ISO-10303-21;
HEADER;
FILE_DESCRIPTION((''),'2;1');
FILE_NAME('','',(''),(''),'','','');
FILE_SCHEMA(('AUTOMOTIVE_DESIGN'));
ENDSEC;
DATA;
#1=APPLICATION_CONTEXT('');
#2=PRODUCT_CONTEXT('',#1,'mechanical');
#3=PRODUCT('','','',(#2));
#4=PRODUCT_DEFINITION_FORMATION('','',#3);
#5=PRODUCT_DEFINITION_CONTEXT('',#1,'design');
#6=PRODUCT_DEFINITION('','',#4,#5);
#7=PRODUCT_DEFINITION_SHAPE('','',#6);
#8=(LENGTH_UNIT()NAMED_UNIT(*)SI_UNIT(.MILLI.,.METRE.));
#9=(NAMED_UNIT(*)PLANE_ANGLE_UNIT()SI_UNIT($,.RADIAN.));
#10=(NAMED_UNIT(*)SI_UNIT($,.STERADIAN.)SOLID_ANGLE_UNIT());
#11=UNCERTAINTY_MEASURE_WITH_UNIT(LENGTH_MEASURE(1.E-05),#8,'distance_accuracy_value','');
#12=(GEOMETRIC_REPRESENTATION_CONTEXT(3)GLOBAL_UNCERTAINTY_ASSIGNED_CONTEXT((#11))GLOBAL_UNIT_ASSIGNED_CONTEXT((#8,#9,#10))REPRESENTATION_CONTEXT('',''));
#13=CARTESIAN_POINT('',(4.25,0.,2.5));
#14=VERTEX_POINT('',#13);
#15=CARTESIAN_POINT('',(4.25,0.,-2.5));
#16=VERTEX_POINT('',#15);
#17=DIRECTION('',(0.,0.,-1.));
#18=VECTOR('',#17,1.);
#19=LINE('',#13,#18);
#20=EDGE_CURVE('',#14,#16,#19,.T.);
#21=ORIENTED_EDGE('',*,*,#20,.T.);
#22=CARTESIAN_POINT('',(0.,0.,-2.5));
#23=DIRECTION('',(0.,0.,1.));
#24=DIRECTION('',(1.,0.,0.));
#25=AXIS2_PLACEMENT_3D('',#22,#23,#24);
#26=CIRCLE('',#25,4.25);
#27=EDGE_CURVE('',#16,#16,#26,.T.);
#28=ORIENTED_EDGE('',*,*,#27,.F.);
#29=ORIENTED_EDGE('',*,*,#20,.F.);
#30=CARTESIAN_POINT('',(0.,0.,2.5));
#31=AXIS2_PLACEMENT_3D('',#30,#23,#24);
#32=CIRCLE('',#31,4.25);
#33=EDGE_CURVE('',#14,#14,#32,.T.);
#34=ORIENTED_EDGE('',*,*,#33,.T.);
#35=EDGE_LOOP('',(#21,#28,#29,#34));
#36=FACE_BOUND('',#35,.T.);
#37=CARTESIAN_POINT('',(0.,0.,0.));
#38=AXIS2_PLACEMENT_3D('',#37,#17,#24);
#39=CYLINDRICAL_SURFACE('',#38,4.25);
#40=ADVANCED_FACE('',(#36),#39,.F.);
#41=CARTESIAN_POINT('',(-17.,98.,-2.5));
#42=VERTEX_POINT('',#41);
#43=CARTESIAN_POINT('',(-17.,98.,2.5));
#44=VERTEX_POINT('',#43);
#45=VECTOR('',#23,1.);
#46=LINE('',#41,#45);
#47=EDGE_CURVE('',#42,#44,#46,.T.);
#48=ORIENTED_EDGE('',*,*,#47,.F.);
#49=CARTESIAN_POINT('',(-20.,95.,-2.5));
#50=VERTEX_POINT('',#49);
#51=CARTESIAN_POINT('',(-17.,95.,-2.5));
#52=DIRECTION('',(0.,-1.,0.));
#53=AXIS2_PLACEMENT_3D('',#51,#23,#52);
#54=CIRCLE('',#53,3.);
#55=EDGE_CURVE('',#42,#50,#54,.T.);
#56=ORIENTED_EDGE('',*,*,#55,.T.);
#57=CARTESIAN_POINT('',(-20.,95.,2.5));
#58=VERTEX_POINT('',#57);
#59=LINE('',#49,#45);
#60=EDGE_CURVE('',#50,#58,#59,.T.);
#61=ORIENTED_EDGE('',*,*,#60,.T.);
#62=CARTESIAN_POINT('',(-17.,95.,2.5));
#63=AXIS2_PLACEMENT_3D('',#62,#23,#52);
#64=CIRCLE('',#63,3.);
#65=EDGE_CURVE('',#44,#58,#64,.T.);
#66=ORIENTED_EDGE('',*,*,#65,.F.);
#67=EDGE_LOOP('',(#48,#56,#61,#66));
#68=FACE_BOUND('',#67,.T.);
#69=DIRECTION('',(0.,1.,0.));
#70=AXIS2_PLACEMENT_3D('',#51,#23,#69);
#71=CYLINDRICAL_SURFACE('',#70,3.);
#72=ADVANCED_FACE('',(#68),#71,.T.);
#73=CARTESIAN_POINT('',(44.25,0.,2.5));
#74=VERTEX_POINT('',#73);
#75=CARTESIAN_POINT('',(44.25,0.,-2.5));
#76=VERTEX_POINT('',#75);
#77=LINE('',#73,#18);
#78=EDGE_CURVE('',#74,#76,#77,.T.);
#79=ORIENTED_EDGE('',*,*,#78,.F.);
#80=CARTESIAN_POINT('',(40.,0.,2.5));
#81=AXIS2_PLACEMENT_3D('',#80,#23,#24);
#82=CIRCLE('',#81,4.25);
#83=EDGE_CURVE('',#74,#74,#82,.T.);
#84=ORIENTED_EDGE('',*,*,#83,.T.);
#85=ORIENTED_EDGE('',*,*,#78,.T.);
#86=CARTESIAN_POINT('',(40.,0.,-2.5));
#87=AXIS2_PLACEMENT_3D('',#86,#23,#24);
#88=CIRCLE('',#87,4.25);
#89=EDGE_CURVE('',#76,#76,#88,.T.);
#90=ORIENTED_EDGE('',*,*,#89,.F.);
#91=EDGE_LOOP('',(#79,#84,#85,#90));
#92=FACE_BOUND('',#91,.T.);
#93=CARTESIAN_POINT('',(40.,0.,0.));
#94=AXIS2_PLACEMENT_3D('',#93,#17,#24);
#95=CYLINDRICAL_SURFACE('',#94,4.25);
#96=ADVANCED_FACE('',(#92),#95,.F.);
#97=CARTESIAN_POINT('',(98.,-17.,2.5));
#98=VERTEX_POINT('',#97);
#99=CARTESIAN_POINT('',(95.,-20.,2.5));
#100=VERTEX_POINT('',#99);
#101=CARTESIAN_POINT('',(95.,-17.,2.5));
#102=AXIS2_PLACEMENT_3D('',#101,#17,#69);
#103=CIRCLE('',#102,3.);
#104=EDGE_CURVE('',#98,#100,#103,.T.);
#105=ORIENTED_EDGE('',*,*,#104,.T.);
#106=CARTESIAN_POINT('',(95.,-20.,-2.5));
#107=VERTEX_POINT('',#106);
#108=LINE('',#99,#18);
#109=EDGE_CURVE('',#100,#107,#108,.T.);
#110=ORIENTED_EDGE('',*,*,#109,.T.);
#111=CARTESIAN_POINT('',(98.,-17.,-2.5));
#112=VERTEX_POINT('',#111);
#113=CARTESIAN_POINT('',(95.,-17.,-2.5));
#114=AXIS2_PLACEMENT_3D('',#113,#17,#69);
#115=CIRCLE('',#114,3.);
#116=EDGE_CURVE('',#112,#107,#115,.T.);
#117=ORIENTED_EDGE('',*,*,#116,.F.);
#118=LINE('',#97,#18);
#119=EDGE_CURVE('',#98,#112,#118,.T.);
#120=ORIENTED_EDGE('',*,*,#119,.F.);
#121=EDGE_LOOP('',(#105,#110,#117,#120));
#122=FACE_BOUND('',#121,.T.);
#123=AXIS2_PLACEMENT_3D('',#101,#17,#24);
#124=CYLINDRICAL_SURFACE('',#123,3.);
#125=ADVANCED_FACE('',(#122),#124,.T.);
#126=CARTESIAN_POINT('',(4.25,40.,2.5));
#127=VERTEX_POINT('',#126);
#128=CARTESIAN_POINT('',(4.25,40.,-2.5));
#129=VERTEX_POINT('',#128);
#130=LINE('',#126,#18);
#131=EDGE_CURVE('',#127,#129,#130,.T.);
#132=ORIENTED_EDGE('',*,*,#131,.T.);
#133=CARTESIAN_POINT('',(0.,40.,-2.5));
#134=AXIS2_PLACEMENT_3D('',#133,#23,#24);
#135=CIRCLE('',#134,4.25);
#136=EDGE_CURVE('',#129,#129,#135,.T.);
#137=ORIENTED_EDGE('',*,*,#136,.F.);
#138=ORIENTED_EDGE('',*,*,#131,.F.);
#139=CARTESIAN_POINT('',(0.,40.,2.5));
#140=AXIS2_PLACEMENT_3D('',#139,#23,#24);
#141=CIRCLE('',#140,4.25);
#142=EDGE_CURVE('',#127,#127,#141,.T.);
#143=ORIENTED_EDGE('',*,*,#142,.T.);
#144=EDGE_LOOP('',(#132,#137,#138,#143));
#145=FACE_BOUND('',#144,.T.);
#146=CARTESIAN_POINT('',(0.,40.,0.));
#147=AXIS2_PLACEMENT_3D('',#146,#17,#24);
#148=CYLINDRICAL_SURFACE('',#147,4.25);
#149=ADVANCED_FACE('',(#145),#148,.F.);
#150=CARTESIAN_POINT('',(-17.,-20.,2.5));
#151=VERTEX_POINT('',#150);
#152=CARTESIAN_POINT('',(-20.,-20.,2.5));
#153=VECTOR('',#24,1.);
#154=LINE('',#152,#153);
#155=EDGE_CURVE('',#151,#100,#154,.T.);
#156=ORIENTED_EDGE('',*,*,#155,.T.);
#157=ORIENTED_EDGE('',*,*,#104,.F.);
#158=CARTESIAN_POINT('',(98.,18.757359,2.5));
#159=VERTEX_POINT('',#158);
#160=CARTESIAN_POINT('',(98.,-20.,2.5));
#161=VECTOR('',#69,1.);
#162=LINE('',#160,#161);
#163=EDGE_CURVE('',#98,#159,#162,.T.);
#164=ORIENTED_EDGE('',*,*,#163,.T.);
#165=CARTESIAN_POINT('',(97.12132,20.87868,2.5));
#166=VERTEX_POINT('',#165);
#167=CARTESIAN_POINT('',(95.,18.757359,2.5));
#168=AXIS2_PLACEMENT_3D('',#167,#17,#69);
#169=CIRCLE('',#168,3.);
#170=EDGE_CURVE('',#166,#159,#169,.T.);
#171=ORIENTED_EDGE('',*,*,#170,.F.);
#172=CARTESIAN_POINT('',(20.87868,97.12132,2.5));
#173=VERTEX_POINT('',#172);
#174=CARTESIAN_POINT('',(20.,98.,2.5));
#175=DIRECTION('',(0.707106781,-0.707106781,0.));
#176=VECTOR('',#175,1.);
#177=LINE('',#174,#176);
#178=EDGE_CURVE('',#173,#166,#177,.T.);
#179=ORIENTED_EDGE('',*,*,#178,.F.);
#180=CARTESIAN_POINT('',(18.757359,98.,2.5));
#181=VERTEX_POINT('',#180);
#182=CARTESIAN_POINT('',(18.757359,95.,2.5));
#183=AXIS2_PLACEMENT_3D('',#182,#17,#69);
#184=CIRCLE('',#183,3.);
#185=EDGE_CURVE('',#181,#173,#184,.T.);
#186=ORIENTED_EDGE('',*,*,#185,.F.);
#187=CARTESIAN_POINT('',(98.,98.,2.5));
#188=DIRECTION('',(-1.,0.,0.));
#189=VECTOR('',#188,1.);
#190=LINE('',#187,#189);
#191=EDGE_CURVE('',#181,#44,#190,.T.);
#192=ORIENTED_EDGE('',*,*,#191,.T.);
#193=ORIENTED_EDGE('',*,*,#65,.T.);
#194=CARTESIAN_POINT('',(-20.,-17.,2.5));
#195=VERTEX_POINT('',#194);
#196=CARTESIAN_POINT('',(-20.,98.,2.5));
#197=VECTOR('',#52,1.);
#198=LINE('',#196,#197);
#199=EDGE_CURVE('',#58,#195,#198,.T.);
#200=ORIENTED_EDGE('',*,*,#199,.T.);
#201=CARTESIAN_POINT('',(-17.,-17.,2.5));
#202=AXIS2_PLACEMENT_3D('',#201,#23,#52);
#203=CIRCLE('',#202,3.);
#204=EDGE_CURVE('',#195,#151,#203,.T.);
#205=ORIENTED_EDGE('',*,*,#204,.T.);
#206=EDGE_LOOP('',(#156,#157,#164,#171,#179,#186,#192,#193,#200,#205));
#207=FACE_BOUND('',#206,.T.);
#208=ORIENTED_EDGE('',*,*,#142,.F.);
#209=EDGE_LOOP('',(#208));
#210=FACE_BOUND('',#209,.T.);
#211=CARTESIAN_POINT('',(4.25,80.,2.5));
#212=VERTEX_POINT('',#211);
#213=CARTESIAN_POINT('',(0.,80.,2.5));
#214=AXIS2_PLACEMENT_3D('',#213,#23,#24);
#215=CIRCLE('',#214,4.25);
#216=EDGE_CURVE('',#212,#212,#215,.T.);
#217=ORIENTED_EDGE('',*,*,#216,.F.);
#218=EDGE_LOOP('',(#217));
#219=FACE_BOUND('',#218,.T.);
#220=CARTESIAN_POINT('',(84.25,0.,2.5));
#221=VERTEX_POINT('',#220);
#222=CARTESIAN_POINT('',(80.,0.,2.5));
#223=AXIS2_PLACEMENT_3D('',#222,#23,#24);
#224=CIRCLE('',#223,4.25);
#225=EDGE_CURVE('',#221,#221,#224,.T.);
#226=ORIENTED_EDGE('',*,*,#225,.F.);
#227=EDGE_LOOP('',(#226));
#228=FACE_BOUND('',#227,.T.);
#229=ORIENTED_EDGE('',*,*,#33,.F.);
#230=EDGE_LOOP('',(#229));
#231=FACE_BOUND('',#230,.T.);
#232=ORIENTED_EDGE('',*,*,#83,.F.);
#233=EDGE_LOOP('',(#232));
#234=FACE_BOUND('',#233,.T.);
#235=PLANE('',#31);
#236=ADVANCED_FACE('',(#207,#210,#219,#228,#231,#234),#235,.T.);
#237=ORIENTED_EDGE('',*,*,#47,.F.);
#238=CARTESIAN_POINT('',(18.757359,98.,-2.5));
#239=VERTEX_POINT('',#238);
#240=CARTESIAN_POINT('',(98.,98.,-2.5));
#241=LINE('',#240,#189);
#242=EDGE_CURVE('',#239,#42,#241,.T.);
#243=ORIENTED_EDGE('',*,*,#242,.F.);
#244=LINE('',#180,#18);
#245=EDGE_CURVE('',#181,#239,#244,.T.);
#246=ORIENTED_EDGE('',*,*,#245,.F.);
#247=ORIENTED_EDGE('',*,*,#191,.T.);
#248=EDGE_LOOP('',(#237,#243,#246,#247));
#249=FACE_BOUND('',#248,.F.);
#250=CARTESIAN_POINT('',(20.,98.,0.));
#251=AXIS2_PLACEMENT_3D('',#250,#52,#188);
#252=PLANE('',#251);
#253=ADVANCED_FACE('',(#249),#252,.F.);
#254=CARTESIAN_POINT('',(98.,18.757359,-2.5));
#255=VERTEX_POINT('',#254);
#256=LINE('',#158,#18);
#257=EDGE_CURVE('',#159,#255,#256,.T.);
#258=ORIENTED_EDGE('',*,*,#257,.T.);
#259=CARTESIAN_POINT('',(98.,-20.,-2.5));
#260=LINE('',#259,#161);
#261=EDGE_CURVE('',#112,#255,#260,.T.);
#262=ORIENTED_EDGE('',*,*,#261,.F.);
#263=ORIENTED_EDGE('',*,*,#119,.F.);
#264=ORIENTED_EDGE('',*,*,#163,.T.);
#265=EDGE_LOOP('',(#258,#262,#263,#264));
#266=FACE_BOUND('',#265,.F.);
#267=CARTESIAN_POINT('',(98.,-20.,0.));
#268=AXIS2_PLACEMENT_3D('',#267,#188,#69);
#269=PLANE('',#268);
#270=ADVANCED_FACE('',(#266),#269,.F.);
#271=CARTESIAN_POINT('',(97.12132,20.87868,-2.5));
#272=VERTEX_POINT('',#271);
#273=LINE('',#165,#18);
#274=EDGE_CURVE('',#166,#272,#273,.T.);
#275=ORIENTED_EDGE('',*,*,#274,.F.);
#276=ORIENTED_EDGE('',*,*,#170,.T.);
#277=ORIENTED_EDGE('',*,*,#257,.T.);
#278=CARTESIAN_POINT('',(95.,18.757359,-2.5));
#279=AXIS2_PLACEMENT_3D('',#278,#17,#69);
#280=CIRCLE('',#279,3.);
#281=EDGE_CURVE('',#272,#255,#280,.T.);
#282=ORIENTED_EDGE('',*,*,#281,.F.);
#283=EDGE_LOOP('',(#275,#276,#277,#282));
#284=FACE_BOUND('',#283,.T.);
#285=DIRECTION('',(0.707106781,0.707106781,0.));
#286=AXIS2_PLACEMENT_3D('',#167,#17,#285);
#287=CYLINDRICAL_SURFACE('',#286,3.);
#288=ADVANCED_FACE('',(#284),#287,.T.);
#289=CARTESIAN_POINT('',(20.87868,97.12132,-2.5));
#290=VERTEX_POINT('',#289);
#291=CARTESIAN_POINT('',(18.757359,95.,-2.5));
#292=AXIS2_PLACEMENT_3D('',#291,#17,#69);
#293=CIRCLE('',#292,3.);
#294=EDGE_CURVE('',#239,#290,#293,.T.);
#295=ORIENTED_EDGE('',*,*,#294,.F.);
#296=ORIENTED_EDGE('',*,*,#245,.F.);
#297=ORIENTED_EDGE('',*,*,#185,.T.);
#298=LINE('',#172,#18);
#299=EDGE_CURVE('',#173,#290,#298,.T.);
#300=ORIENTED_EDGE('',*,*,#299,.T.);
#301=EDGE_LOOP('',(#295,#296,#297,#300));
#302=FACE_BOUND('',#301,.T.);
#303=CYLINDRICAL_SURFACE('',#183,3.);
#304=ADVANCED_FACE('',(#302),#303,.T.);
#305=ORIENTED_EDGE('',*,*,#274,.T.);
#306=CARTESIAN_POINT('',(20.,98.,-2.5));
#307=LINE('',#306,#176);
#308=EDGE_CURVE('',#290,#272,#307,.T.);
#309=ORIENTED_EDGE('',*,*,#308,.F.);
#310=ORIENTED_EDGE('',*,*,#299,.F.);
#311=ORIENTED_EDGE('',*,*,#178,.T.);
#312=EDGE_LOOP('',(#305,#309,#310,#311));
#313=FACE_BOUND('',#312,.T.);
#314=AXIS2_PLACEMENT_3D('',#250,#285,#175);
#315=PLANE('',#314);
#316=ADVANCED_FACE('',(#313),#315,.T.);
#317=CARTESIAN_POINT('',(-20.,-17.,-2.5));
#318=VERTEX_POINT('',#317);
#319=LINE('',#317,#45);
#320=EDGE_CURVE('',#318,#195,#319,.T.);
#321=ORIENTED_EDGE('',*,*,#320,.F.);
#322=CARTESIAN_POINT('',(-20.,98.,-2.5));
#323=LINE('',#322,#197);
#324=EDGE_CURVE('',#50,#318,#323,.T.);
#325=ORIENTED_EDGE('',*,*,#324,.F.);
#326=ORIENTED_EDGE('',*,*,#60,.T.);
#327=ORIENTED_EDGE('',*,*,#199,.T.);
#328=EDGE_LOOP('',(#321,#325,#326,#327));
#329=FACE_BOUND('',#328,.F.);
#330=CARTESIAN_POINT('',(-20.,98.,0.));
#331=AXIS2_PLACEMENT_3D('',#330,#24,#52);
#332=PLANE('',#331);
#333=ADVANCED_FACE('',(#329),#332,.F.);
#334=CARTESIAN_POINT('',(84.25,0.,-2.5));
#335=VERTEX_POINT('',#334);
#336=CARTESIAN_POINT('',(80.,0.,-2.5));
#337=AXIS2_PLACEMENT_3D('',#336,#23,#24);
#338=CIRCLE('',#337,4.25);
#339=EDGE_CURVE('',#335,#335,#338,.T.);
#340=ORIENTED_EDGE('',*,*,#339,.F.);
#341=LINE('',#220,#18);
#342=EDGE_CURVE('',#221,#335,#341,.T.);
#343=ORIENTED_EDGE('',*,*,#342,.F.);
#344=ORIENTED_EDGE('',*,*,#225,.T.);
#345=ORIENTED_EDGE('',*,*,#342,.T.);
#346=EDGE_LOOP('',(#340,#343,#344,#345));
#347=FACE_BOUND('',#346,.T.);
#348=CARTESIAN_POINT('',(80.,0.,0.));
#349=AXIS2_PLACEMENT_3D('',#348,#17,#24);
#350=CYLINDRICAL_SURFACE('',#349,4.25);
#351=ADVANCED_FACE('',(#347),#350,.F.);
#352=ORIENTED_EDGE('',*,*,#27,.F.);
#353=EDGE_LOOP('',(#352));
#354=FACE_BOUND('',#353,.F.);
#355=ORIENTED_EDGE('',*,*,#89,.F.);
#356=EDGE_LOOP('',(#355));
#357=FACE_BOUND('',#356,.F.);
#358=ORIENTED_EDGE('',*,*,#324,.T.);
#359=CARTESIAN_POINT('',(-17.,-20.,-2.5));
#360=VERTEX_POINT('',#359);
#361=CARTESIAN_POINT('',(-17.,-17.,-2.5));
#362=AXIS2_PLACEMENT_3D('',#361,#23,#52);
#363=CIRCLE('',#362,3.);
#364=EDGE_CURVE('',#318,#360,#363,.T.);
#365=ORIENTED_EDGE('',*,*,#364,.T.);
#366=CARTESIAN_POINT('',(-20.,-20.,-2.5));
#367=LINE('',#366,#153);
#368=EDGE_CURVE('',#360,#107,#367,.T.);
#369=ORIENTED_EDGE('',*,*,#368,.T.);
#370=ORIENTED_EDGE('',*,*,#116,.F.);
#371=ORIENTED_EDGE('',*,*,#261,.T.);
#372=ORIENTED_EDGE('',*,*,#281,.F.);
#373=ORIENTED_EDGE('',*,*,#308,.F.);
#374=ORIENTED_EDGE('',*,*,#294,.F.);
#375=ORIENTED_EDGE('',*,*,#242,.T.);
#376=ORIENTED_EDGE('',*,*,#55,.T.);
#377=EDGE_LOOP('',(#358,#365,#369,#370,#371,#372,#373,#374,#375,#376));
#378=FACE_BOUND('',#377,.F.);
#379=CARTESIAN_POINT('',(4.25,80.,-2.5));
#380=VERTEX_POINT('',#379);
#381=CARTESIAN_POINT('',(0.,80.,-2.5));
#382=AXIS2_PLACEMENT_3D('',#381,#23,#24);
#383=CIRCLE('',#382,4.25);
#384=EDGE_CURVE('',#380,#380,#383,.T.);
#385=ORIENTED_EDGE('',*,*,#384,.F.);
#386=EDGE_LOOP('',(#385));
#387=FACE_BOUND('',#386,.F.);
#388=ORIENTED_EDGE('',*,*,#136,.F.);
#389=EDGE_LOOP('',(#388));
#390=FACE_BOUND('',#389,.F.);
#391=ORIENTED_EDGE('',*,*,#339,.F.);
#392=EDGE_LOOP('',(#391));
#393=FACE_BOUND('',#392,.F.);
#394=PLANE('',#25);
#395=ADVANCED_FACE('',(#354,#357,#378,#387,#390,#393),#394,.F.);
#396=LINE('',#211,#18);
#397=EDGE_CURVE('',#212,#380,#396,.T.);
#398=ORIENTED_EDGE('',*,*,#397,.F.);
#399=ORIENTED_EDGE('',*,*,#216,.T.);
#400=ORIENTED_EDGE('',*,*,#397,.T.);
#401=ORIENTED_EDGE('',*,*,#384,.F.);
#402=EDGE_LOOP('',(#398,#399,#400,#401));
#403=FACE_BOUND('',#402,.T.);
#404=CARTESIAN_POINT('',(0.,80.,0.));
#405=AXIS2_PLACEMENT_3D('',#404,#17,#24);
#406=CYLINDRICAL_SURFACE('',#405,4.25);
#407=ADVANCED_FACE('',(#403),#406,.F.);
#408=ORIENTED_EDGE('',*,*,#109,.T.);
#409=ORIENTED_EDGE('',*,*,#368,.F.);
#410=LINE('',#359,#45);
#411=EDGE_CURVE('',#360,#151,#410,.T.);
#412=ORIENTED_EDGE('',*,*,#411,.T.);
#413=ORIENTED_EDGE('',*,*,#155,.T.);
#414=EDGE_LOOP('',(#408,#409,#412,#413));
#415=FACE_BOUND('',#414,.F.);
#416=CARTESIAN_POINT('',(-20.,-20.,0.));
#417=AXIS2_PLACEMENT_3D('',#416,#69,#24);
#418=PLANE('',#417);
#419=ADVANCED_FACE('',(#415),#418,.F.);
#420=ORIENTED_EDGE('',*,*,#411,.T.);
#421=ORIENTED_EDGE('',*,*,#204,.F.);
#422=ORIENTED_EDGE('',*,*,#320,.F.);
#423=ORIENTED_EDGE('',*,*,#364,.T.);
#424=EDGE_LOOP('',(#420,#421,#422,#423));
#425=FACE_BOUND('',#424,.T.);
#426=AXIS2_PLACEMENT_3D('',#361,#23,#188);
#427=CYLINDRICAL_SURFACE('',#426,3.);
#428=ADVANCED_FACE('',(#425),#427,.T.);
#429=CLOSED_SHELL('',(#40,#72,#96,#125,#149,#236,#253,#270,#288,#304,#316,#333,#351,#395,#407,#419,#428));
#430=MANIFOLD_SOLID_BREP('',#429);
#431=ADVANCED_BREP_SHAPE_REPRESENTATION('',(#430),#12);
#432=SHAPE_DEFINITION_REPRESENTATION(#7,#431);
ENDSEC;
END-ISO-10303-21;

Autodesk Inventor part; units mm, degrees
ref_plane "YZ Plane" through (0, 0, 0) normal (1, 0, 0) x (0, 1, 0)
ref_plane "XZ Plane" through (0, 0, 0) normal (0, 1, 0) x (-1, 0, 0)
ref_plane "XY Plane" through (0, 0, 0) normal (0, 0, 1) x (1, 0, 0)
sketch "Sketch1" plane through (0, 0, 0) normal (0, 0, 1) x (1, 0, 0)
  circle A0 centre (0, 0) radius 4.25
  circle A1 centre (40, 0) radius 4.25
  circle A2 centre (80, 0) radius 4.25
  circle A3 centre (0, 40) radius 4.25
  circle A4 centre (0, 80) radius 4.25
  line L0 (0, 0) -> (0, 80) construction
  line L1 (0, 0) -> (80, 0) construction
  line L2 (-20, 98) -> (-20, -20)
  line L3 (-20, -20) -> (98, -20)
  line L4 (98, -20) -> (98, 98)
  line L5 (98, 98) -> (-20, 98)
  line L6 (20, 98) -> (98, 20)
  dimension "d0" = 8.5
  dimension "d1" = 8.5
  dimension "d2" = 8.5
  dimension "d3" = 8.5
  dimension "d4" = 8.5
  dimension "d5" = 80
  dimension "d6" = 80
  dimension "d7" = 118
  dimension "d8" = 118
  dimension "d9" = 20
  dimension "d10" = 20
  dimension "d11" = 40
  dimension "d12" = 40
extrude "Extrusion1" add sketch "Sketch1" along normal mid plane 5 contours L5 L6 L4 L3 L2
fillet "Fillet1" radius 3 5 edges at (-20, 98, 0) (20, 98, 0) (-20, -20, 0) (98, 20, 0) (98, -20, 0)
equation "\"d1\" = d0"
equation "\"d2\" = d0"
equation "\"d3\" = d0"
equation "\"d4\" = d0"
equation "\"d6\" = d5"
properties part number "Connection_plate_L_120x120" material "Aluminum 6061"
